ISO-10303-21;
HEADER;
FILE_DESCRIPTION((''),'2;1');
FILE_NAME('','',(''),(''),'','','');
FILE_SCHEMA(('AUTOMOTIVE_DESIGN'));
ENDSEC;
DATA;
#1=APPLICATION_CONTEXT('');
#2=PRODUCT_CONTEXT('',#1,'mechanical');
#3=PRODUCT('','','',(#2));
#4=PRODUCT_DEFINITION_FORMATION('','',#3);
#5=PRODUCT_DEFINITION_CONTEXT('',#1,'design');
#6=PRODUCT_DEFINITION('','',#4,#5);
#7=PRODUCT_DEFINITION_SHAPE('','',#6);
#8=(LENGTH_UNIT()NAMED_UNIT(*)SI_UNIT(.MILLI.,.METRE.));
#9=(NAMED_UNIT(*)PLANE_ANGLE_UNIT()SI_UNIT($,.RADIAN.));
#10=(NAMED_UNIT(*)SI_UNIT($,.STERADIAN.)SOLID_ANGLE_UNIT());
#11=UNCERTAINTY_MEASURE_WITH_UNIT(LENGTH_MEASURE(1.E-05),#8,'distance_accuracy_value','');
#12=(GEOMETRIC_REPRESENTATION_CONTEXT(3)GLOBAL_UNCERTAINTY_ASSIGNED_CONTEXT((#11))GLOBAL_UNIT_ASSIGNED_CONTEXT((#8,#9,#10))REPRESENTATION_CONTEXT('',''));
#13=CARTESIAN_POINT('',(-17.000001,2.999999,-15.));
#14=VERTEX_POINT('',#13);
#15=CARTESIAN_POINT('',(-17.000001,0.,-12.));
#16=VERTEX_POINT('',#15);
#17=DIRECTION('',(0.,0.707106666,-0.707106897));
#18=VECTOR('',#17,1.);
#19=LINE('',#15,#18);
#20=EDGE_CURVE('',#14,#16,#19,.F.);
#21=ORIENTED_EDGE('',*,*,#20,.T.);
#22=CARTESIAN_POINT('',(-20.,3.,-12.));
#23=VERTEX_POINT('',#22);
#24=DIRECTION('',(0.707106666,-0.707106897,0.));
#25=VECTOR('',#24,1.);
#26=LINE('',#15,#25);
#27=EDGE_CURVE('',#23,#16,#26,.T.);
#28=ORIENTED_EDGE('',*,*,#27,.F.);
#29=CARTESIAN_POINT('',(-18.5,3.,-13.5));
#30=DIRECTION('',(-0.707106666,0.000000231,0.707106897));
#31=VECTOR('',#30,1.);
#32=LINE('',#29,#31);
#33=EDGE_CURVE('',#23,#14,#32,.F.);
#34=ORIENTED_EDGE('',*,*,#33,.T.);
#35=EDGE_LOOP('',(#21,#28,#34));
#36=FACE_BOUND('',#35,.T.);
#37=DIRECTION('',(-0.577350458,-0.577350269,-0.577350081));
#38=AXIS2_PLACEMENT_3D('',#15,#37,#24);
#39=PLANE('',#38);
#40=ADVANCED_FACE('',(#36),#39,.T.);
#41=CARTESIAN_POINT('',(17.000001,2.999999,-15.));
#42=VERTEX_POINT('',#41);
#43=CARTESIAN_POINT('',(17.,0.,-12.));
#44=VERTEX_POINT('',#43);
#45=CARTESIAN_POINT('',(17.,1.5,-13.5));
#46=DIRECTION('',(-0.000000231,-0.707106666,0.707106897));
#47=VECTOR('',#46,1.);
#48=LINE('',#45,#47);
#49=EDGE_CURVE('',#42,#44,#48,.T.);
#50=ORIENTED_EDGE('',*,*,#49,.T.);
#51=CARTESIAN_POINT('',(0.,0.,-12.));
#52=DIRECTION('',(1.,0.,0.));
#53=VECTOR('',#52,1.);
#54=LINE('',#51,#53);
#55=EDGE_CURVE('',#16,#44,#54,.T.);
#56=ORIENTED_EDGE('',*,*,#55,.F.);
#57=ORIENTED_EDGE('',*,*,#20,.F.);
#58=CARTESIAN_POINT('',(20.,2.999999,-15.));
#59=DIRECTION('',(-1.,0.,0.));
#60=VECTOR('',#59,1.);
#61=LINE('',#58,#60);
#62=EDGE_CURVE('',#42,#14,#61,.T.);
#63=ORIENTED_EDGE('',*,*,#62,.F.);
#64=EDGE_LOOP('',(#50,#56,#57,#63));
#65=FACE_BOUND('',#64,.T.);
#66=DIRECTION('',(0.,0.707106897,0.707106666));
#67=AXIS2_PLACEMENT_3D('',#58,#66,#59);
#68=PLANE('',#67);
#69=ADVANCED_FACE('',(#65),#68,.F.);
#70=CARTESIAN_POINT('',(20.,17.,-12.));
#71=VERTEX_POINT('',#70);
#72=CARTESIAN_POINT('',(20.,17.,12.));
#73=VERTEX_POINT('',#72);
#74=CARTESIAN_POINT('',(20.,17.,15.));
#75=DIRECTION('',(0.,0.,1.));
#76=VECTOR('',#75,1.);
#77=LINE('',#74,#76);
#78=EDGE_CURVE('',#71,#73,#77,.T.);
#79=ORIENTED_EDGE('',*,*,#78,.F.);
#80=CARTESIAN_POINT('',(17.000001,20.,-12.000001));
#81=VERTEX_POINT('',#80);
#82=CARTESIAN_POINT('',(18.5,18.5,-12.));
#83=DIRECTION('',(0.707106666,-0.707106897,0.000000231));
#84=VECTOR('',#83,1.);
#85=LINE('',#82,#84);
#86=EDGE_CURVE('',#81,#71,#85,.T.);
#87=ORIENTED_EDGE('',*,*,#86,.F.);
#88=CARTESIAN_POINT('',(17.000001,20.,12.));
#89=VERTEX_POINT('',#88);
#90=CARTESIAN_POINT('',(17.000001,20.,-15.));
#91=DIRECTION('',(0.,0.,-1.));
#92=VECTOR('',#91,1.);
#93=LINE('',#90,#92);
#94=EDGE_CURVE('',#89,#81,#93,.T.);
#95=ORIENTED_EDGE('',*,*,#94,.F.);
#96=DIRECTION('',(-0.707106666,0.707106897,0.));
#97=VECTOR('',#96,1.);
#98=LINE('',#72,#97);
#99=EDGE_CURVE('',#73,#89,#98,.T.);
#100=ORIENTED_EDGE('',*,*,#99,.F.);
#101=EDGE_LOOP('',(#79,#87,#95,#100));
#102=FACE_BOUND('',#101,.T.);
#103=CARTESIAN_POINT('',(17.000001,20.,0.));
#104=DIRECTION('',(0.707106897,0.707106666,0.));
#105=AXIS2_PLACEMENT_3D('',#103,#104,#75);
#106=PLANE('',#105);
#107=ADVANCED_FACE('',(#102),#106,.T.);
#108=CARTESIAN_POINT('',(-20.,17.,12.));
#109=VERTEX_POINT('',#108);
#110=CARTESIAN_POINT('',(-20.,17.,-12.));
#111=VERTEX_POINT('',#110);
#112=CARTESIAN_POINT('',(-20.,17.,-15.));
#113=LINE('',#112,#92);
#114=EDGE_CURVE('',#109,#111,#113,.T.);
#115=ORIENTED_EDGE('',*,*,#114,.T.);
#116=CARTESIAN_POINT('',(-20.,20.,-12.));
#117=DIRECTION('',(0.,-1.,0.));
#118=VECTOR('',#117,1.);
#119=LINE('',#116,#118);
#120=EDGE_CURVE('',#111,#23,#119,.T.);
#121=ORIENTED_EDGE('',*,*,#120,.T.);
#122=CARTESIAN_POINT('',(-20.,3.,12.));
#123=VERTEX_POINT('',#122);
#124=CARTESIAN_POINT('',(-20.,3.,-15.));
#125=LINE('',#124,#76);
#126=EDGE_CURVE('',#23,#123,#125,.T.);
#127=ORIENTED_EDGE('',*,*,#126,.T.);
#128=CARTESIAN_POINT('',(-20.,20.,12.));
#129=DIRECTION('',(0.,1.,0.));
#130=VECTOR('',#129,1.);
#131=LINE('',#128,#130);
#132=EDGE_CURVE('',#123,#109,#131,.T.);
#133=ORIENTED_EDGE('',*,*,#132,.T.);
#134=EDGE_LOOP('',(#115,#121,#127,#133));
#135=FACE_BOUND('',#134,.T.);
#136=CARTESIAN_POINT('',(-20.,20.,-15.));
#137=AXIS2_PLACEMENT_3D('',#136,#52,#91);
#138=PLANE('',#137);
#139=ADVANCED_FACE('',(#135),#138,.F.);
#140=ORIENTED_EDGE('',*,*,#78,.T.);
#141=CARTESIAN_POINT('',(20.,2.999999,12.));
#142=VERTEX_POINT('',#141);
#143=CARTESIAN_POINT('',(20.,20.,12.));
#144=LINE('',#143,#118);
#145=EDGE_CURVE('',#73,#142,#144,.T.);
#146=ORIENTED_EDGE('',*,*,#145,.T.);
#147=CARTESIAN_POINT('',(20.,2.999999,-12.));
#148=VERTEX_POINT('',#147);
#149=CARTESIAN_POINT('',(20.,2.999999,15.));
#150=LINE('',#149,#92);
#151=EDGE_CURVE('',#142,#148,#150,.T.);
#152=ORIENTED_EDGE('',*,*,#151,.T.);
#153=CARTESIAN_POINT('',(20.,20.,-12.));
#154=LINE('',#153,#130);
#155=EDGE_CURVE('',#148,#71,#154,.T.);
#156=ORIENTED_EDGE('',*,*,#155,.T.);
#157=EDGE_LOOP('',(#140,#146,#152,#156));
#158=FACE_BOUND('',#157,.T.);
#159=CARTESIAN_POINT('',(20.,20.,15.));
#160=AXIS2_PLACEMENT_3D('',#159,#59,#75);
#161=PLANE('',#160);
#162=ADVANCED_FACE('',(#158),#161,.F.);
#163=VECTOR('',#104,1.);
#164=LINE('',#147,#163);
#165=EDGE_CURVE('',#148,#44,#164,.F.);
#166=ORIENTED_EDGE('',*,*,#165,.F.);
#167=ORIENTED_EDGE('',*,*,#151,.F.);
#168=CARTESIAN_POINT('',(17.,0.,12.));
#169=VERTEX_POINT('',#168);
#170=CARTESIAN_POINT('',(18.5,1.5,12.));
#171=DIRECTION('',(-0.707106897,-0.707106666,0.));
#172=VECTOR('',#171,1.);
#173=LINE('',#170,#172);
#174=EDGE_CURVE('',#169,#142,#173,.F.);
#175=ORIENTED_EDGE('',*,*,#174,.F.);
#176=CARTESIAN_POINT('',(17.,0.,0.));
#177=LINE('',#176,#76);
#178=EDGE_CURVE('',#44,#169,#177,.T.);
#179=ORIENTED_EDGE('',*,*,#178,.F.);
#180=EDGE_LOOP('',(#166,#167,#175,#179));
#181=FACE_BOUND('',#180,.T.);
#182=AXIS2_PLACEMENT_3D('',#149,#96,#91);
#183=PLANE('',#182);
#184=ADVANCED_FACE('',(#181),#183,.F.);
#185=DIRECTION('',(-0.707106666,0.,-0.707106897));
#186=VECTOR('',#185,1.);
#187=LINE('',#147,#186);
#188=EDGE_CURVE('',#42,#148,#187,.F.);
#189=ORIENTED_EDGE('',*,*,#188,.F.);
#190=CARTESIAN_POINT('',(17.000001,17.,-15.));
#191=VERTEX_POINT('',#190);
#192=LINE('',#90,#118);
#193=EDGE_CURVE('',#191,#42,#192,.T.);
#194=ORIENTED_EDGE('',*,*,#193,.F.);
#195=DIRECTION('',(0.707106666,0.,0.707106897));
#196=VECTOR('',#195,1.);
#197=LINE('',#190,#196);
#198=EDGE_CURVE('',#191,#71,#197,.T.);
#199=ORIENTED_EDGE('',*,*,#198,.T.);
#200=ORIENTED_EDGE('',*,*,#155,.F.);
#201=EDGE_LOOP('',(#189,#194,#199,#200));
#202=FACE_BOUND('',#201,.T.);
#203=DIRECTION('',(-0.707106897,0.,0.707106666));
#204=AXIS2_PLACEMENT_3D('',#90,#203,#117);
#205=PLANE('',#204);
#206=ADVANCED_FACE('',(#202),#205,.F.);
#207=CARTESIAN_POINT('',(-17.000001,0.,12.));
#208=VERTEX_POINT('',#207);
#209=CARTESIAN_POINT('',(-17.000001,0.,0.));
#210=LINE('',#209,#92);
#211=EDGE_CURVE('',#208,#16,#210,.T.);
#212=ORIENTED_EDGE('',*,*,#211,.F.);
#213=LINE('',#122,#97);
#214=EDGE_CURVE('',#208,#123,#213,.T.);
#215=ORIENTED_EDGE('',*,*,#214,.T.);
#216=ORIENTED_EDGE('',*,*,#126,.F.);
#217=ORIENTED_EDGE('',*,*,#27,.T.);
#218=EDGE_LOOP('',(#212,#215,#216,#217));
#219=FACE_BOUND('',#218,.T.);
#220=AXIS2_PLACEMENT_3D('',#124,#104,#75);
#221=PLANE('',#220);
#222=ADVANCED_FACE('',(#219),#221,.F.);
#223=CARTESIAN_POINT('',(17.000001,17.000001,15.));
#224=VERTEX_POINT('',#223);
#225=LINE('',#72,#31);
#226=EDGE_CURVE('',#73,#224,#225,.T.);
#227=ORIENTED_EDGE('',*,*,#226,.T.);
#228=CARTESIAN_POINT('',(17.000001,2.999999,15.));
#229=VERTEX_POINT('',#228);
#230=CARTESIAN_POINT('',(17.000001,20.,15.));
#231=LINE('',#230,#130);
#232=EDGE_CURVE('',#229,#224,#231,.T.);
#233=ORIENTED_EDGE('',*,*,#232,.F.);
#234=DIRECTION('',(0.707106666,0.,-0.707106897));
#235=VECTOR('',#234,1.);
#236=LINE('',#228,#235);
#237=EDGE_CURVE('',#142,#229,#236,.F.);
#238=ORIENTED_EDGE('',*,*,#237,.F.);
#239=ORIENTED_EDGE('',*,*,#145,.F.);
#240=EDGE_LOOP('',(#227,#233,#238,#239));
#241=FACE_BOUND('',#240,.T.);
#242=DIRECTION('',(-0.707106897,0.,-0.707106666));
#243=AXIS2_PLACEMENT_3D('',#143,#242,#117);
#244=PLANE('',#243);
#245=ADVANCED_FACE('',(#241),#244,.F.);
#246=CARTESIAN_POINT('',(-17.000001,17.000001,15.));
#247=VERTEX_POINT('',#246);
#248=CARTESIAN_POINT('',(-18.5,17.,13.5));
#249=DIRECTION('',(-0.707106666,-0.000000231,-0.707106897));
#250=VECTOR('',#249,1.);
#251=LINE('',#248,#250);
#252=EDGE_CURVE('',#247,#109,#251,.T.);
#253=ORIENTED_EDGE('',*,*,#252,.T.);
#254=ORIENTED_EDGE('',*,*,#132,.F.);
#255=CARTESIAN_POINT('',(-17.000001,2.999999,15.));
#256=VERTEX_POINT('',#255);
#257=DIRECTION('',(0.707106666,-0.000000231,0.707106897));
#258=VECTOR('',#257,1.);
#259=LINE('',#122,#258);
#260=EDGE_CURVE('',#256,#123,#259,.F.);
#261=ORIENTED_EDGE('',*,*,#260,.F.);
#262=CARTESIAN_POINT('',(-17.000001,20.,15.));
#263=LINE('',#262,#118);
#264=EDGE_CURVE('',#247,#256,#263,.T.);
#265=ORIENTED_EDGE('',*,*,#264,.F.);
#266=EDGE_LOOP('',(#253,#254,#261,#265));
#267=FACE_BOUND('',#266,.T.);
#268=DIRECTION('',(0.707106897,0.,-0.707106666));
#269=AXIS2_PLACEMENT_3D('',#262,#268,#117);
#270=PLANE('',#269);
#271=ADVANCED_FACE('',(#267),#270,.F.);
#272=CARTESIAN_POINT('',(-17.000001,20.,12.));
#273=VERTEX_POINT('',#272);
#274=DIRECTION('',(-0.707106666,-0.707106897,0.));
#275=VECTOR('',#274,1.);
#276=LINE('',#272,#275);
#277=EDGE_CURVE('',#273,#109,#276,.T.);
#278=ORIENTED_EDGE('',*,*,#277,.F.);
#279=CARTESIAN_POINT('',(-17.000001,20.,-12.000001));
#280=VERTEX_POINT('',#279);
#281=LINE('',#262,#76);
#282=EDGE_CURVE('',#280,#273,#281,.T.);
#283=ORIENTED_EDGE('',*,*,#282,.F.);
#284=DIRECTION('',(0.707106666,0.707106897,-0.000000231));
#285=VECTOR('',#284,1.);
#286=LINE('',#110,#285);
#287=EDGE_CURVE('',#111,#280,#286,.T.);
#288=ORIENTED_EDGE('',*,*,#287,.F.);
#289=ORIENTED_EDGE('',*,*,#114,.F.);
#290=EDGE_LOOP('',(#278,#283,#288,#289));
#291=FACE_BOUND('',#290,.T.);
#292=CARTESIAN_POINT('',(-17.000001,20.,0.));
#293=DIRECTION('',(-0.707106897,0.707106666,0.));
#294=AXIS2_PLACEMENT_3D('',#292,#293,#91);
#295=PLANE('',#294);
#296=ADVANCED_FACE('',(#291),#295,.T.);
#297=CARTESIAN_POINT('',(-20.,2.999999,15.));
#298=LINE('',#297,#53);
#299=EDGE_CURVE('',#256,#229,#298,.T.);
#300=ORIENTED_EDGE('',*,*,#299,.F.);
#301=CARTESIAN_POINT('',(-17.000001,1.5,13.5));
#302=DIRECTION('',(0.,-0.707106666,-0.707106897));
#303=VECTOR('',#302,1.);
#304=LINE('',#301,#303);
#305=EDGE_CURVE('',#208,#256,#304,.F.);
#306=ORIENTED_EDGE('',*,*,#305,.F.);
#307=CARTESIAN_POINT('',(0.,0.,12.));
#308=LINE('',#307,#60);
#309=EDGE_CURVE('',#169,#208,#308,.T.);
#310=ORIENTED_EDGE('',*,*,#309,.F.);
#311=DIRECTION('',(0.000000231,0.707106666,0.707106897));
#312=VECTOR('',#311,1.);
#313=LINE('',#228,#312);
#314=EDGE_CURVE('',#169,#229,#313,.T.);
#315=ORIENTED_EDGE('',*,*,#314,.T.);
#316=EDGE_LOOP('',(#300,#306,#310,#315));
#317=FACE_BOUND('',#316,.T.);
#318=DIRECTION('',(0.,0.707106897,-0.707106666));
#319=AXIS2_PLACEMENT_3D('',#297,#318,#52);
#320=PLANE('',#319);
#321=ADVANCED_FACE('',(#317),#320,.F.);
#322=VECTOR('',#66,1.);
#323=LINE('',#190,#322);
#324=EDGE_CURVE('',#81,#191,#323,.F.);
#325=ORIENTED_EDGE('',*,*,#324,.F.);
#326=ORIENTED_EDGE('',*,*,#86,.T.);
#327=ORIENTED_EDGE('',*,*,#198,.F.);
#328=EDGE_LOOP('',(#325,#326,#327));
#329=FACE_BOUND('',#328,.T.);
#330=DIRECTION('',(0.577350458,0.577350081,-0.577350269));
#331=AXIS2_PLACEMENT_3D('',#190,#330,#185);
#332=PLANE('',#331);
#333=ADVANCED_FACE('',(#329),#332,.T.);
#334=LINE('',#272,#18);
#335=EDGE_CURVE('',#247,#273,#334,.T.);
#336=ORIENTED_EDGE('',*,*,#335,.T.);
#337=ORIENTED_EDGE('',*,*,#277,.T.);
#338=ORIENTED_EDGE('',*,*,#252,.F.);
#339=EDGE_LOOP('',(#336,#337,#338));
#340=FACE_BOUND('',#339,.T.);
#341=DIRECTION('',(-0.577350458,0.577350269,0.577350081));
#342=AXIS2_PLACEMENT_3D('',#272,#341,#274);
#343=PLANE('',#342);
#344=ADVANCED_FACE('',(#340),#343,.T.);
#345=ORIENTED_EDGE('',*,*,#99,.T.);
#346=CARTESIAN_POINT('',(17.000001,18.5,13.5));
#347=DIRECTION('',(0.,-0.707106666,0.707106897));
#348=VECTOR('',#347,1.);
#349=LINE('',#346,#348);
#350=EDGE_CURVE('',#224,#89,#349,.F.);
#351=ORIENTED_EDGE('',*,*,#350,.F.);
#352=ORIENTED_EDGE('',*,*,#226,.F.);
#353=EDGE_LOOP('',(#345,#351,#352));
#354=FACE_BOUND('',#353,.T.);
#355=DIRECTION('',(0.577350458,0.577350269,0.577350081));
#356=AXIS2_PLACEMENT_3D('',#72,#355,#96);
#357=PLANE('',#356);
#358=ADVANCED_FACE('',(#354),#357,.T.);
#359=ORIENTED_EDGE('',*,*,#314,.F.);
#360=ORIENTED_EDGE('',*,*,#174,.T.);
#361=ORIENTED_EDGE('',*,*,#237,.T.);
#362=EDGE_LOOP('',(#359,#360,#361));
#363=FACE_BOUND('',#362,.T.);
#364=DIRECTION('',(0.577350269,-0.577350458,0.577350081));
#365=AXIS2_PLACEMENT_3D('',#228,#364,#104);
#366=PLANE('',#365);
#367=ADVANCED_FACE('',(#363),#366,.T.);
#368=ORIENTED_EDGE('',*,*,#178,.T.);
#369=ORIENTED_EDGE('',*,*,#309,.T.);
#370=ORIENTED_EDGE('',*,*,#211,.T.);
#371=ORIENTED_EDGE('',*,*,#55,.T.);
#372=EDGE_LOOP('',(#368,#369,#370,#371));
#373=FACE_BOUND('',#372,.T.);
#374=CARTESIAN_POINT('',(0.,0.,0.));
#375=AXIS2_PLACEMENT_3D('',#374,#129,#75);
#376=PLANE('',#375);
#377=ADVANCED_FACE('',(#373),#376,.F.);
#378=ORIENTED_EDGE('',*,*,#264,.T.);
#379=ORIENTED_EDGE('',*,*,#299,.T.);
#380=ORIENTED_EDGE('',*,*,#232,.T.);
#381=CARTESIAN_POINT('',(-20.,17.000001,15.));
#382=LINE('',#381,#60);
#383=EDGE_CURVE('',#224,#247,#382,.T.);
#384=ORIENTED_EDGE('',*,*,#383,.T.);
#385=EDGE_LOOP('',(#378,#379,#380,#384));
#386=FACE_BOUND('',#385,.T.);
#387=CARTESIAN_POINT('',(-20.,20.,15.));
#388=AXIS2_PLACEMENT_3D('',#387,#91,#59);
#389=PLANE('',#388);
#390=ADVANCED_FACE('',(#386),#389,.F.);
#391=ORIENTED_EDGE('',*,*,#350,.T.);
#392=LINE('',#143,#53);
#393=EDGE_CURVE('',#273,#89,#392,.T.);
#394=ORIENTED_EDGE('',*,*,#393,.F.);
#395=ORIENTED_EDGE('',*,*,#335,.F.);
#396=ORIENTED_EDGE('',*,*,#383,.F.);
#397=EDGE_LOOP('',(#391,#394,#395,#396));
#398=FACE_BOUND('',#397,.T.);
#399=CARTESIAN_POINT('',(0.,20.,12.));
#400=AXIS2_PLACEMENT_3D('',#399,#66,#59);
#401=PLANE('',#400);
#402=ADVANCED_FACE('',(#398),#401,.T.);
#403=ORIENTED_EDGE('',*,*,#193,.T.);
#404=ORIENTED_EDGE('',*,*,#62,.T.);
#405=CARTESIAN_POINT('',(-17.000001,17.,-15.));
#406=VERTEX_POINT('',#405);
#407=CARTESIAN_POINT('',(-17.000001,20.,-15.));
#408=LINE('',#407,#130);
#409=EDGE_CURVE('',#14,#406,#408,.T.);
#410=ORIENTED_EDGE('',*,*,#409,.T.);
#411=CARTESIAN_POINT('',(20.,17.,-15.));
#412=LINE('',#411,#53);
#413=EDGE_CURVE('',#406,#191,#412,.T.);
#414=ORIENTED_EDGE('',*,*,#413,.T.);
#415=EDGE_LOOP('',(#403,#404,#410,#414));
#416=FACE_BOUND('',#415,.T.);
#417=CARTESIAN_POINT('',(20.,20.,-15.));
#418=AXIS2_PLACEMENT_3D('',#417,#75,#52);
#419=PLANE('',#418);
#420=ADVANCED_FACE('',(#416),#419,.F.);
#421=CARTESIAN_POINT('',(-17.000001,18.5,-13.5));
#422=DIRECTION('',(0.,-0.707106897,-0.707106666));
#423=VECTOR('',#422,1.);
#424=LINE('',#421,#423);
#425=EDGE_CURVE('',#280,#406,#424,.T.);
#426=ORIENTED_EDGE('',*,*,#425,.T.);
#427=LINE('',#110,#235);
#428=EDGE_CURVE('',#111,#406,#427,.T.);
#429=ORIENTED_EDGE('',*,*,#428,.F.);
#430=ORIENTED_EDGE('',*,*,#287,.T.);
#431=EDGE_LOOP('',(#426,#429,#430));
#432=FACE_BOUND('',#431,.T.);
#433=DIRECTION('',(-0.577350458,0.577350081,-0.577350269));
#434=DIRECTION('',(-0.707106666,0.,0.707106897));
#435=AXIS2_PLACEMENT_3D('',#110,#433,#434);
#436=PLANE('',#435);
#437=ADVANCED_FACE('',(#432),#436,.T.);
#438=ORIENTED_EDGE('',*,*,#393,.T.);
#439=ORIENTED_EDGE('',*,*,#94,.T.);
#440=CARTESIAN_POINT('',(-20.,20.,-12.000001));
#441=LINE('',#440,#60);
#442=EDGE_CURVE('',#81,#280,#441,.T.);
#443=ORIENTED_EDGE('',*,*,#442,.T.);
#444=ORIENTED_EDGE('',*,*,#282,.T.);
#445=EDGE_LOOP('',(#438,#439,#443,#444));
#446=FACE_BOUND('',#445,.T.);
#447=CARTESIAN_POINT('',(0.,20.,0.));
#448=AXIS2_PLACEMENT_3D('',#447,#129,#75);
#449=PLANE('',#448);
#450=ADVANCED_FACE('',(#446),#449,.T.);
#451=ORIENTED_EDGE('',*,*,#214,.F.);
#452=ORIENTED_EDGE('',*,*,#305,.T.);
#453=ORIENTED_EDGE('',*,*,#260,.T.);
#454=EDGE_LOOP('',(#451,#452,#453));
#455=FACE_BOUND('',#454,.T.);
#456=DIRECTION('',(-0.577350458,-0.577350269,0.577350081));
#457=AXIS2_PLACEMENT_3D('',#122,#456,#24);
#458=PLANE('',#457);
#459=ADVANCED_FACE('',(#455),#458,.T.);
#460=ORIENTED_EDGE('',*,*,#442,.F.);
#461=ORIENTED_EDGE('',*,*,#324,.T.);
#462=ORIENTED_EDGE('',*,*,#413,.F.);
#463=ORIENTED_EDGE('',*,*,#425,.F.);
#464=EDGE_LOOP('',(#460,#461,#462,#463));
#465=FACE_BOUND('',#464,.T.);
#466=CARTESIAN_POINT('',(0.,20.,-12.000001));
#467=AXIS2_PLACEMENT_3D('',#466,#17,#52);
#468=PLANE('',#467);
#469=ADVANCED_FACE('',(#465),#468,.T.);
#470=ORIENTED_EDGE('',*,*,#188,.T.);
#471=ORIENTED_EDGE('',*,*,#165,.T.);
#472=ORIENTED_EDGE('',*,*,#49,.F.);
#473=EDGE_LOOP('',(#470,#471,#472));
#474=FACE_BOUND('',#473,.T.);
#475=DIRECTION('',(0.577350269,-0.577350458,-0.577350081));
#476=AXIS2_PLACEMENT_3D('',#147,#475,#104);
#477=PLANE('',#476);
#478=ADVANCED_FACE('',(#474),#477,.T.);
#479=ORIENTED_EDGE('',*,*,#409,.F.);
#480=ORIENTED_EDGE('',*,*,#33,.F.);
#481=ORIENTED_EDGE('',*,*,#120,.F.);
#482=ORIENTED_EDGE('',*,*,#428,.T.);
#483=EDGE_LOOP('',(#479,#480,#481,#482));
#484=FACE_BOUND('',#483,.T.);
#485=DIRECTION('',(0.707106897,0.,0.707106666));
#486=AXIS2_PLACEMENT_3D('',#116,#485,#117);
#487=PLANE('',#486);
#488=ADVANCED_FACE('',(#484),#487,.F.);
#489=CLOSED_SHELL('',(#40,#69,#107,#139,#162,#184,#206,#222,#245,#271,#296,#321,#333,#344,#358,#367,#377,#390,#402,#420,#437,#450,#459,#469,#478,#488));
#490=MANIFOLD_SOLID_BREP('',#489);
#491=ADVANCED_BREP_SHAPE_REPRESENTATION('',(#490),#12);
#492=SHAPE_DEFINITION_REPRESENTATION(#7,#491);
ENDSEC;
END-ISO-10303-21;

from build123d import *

# Parameters (mm, degrees)
SKETCH1_W           = 40
SKETCH1_H           = 30
BOSS_EXTRUDE1_DEPTH = 20
CHAMFER1_SIZE2      = 2.99999902
CHAMFER1_SIZE       = 3


with BuildPart() as part:
    # Sketch1 → Boss-Extrude1 (new body)
    with BuildSketch(Plane(origin=(0, 0, 0), x_dir=(1, 0, 0), z_dir=(0, 1, 0))):
        Rectangle(SKETCH1_W, SKETCH1_H)
    extrude(amount=BOSS_EXTRUDE1_DEPTH)

    # Chamfer1
    chamfer1_edges = [part.edges().sort_by_distance(p)[0] for p in [
        (20, 20, 0),
        (0, 20, -15),
        (-20, 20, 0),
        (0, 0, -15),
        (20, 0, 0),
        (0, 0, 15),
        (-20, 0, 0),
        (-20, 10, -15),
        (20, 10, -15),
        (20, 10, 15),
        (-20, 10, 15),
        (0, 20, 15),
    ]]
    chamfer(chamfer1_edges, length=CHAMFER1_SIZE, length2=CHAMFER1_SIZE2)


solid = part.part
